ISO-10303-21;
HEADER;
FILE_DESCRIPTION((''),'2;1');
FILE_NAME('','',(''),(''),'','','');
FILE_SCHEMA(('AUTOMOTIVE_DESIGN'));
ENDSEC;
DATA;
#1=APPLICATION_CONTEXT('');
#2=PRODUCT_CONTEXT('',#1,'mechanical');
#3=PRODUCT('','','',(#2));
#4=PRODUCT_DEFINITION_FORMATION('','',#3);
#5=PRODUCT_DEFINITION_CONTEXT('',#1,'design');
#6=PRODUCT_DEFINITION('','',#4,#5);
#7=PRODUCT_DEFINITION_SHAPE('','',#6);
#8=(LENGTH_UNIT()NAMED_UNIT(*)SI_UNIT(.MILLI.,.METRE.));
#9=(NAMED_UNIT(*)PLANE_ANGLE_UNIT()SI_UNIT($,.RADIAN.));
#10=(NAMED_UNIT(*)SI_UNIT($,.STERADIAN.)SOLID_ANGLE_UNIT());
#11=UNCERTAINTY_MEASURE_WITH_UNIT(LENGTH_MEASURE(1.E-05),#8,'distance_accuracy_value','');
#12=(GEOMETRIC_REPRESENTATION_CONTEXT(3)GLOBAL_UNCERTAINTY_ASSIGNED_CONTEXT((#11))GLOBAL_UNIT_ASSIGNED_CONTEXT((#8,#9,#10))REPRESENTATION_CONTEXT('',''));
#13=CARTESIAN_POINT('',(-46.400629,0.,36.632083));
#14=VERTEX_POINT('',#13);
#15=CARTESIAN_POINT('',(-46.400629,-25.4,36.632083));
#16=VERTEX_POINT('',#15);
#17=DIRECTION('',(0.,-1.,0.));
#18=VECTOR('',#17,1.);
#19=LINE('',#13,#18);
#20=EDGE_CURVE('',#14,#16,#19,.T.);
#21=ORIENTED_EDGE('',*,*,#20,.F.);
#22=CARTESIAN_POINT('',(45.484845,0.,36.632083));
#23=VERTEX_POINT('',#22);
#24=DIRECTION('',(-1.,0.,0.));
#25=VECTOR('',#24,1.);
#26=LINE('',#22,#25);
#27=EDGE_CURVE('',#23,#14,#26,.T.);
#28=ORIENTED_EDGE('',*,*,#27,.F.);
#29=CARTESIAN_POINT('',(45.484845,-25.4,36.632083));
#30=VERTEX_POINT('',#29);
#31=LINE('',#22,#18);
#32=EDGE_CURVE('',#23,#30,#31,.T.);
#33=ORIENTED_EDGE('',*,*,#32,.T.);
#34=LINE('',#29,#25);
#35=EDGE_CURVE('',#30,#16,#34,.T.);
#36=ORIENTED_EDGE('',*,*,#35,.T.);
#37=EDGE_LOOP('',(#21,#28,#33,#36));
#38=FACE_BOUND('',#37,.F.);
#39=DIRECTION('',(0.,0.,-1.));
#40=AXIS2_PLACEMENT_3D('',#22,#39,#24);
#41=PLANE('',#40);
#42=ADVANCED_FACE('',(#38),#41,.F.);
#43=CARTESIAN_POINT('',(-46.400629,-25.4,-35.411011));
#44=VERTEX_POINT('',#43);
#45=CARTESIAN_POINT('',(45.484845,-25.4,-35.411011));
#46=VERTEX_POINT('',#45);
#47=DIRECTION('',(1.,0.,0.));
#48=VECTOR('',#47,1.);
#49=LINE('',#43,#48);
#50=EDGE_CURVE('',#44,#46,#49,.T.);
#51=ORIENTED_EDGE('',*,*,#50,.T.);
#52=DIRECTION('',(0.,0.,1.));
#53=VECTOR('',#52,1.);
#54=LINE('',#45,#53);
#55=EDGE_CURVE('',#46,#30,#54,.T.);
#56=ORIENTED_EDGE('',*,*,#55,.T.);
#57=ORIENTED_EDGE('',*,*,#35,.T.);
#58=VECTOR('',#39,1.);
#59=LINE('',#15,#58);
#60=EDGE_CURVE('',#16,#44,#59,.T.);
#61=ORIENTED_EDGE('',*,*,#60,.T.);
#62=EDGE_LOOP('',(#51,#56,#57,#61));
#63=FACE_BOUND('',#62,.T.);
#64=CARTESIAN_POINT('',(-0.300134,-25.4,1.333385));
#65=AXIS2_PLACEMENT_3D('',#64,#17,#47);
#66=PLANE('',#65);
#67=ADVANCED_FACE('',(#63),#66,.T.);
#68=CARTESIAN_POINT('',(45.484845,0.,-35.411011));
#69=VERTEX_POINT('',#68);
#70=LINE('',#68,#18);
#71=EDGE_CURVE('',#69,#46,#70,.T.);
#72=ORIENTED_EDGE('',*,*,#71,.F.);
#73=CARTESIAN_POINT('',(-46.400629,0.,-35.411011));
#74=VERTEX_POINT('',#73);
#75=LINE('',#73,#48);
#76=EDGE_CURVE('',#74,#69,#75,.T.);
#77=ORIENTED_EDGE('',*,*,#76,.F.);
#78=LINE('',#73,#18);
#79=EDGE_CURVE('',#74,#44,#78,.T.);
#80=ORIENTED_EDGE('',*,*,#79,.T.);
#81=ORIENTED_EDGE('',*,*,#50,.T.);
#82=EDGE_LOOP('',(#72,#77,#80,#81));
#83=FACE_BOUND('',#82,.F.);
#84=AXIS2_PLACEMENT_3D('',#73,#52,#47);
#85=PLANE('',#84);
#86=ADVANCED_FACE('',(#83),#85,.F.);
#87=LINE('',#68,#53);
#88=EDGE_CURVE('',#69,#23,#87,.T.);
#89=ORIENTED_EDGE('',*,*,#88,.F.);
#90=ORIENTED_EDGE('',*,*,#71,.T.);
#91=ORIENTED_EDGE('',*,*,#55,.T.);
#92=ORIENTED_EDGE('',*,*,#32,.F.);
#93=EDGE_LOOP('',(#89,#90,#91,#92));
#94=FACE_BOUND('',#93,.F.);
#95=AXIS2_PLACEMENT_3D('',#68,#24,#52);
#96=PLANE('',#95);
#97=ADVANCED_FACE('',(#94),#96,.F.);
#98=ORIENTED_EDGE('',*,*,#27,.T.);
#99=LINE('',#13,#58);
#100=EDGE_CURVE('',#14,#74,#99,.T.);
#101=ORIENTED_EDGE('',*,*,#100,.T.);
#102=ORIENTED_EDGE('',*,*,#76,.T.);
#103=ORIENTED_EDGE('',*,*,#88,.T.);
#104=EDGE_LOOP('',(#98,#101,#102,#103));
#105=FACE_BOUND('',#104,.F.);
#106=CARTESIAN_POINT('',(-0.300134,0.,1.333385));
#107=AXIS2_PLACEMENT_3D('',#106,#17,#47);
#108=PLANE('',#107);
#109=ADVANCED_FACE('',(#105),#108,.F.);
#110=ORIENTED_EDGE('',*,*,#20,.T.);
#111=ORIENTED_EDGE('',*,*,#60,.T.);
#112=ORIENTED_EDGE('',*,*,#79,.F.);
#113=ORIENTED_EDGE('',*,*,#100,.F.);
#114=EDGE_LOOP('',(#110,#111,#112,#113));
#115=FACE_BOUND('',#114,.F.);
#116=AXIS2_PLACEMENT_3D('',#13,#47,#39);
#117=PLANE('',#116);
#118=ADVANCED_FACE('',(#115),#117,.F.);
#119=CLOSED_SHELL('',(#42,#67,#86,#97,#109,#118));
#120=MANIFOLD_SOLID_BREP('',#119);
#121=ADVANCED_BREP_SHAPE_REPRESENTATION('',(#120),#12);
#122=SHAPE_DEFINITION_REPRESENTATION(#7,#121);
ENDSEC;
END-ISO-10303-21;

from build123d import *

# Parameters (mm, degrees)
F1_DEPTH = 25.4


with BuildPart() as f1:
    # F0 (on Front) → F1 (new body)
    with BuildSketch(Plane.XZ):
        with BuildLine():
            Line((45.4848445952, 36.6320833564), (-46.400628984, 36.6320833564))
            Line((-46.400628984, 36.6320833564), (-46.400628984, -35.4110114276))
            Line((-46.400628984, -35.4110114276), (-4.2846268379, -35.4110114276))
            ThreePointArc((-4.2846268379, -35.4110114276), (-23.6587001944, 26.6938881128), (35.6692831084, 0))
            ThreePointArc((35.6692831084, 0), (26.6938881128, -23.6587001944), (4.2846268379, -35.4110114276))
            Line((4.2846268379, -35.4110114276), (45.4848445952, -35.4110114276))
            Line((45.4848445952, -35.4110114276), (45.4848445952, 36.6320833564))
        make_face()
        with BuildLine():
            ThreePointArc((35.6692831084, 0), (-23.6587001944, 26.6938881128), (-4.2846268379, -35.4110114276))
            Line((-4.2846268379, -35.4110114276), (4.2846268379, -35.4110114276))
            ThreePointArc((4.2846268379, -35.4110114276), (26.6938881128, -23.6587001944), (35.6692831084, 0))
        make_face()
    extrude(amount=F1_DEPTH)


solid = f1.part
